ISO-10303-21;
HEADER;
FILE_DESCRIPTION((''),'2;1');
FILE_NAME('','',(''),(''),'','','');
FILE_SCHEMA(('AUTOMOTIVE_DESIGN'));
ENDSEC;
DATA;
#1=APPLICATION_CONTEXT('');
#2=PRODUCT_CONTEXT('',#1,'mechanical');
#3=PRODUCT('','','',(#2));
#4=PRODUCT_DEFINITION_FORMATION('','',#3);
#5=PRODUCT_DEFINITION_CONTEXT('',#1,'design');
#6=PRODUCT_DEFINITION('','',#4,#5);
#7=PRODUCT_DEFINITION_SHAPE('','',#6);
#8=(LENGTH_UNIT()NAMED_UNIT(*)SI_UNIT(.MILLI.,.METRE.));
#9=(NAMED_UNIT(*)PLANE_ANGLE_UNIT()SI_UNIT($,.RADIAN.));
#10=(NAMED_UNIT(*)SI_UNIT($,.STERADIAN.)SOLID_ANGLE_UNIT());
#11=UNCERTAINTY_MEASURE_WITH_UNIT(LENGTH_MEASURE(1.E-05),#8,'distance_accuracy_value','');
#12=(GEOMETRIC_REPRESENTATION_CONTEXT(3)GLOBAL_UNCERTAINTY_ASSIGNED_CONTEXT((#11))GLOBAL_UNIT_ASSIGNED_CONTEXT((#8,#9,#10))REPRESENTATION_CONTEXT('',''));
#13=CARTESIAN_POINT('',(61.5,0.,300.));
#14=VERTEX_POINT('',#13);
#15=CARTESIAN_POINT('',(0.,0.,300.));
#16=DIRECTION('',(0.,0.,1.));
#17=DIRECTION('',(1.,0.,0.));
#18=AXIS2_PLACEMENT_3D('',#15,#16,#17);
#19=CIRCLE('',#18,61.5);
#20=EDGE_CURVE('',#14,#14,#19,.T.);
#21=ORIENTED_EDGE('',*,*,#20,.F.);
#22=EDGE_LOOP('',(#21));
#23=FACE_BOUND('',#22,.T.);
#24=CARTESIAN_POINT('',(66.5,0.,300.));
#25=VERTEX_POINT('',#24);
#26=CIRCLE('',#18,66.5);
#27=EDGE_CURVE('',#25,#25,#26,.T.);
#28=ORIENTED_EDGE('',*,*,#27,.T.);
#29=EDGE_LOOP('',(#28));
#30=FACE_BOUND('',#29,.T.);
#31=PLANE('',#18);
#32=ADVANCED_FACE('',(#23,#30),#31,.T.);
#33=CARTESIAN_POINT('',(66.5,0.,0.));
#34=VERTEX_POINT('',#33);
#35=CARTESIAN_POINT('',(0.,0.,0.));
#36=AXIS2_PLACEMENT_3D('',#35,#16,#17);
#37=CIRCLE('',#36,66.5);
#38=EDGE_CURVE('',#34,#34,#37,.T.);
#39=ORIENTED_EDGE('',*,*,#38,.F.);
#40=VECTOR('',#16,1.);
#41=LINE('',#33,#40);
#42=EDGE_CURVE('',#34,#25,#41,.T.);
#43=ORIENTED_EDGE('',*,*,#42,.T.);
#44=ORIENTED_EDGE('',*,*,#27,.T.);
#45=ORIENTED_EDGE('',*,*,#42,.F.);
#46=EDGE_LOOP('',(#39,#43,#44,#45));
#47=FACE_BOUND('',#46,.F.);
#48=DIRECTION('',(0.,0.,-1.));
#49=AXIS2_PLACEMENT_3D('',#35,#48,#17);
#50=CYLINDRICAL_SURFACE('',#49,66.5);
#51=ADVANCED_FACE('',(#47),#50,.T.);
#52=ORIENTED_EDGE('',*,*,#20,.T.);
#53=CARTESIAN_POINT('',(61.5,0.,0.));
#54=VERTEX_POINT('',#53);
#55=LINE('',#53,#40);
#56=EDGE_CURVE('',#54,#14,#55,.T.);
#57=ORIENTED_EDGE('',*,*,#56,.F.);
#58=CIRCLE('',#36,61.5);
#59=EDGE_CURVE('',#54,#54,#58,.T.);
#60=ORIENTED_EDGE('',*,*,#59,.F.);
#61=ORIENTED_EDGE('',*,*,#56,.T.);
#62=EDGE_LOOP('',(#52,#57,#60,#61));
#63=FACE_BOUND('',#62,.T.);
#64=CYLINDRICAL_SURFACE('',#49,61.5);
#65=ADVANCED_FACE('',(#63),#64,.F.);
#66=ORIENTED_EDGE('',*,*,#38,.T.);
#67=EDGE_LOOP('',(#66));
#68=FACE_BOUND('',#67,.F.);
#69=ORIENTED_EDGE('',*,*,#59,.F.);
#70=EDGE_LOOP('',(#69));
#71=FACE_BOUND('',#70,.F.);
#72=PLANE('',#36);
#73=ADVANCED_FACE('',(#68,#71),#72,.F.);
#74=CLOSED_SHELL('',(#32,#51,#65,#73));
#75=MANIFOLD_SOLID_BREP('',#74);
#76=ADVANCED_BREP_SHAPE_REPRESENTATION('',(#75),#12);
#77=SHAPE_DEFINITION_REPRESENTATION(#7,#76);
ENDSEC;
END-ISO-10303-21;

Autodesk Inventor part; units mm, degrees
ref_plane "YZ Plane" through (0, 0, 0) normal (1, 0, 0) x (0, 1, 0)
ref_plane "XZ Plane" through (0, 0, 0) normal (0, 1, 0) x (-1, 0, 0)
ref_plane "XY Plane" through (0, 0, 0) normal (0, 0, 1) x (1, 0, 0)
sketch "Sketch1" plane through (0, 0, 0) normal (0, 0, 1) x (1, 0, 0)
  circle A0 centre (0, 0) radius 66.5
  circle A1 centre (0, 0) radius 61.5
  dimension "d0" = 133
  dimension "d1" = 5
extrude "Extrusion1" add sketch "Sketch1" along normal blind 300
properties part number "ДМФ 055 труба илоотвода v2.0"
